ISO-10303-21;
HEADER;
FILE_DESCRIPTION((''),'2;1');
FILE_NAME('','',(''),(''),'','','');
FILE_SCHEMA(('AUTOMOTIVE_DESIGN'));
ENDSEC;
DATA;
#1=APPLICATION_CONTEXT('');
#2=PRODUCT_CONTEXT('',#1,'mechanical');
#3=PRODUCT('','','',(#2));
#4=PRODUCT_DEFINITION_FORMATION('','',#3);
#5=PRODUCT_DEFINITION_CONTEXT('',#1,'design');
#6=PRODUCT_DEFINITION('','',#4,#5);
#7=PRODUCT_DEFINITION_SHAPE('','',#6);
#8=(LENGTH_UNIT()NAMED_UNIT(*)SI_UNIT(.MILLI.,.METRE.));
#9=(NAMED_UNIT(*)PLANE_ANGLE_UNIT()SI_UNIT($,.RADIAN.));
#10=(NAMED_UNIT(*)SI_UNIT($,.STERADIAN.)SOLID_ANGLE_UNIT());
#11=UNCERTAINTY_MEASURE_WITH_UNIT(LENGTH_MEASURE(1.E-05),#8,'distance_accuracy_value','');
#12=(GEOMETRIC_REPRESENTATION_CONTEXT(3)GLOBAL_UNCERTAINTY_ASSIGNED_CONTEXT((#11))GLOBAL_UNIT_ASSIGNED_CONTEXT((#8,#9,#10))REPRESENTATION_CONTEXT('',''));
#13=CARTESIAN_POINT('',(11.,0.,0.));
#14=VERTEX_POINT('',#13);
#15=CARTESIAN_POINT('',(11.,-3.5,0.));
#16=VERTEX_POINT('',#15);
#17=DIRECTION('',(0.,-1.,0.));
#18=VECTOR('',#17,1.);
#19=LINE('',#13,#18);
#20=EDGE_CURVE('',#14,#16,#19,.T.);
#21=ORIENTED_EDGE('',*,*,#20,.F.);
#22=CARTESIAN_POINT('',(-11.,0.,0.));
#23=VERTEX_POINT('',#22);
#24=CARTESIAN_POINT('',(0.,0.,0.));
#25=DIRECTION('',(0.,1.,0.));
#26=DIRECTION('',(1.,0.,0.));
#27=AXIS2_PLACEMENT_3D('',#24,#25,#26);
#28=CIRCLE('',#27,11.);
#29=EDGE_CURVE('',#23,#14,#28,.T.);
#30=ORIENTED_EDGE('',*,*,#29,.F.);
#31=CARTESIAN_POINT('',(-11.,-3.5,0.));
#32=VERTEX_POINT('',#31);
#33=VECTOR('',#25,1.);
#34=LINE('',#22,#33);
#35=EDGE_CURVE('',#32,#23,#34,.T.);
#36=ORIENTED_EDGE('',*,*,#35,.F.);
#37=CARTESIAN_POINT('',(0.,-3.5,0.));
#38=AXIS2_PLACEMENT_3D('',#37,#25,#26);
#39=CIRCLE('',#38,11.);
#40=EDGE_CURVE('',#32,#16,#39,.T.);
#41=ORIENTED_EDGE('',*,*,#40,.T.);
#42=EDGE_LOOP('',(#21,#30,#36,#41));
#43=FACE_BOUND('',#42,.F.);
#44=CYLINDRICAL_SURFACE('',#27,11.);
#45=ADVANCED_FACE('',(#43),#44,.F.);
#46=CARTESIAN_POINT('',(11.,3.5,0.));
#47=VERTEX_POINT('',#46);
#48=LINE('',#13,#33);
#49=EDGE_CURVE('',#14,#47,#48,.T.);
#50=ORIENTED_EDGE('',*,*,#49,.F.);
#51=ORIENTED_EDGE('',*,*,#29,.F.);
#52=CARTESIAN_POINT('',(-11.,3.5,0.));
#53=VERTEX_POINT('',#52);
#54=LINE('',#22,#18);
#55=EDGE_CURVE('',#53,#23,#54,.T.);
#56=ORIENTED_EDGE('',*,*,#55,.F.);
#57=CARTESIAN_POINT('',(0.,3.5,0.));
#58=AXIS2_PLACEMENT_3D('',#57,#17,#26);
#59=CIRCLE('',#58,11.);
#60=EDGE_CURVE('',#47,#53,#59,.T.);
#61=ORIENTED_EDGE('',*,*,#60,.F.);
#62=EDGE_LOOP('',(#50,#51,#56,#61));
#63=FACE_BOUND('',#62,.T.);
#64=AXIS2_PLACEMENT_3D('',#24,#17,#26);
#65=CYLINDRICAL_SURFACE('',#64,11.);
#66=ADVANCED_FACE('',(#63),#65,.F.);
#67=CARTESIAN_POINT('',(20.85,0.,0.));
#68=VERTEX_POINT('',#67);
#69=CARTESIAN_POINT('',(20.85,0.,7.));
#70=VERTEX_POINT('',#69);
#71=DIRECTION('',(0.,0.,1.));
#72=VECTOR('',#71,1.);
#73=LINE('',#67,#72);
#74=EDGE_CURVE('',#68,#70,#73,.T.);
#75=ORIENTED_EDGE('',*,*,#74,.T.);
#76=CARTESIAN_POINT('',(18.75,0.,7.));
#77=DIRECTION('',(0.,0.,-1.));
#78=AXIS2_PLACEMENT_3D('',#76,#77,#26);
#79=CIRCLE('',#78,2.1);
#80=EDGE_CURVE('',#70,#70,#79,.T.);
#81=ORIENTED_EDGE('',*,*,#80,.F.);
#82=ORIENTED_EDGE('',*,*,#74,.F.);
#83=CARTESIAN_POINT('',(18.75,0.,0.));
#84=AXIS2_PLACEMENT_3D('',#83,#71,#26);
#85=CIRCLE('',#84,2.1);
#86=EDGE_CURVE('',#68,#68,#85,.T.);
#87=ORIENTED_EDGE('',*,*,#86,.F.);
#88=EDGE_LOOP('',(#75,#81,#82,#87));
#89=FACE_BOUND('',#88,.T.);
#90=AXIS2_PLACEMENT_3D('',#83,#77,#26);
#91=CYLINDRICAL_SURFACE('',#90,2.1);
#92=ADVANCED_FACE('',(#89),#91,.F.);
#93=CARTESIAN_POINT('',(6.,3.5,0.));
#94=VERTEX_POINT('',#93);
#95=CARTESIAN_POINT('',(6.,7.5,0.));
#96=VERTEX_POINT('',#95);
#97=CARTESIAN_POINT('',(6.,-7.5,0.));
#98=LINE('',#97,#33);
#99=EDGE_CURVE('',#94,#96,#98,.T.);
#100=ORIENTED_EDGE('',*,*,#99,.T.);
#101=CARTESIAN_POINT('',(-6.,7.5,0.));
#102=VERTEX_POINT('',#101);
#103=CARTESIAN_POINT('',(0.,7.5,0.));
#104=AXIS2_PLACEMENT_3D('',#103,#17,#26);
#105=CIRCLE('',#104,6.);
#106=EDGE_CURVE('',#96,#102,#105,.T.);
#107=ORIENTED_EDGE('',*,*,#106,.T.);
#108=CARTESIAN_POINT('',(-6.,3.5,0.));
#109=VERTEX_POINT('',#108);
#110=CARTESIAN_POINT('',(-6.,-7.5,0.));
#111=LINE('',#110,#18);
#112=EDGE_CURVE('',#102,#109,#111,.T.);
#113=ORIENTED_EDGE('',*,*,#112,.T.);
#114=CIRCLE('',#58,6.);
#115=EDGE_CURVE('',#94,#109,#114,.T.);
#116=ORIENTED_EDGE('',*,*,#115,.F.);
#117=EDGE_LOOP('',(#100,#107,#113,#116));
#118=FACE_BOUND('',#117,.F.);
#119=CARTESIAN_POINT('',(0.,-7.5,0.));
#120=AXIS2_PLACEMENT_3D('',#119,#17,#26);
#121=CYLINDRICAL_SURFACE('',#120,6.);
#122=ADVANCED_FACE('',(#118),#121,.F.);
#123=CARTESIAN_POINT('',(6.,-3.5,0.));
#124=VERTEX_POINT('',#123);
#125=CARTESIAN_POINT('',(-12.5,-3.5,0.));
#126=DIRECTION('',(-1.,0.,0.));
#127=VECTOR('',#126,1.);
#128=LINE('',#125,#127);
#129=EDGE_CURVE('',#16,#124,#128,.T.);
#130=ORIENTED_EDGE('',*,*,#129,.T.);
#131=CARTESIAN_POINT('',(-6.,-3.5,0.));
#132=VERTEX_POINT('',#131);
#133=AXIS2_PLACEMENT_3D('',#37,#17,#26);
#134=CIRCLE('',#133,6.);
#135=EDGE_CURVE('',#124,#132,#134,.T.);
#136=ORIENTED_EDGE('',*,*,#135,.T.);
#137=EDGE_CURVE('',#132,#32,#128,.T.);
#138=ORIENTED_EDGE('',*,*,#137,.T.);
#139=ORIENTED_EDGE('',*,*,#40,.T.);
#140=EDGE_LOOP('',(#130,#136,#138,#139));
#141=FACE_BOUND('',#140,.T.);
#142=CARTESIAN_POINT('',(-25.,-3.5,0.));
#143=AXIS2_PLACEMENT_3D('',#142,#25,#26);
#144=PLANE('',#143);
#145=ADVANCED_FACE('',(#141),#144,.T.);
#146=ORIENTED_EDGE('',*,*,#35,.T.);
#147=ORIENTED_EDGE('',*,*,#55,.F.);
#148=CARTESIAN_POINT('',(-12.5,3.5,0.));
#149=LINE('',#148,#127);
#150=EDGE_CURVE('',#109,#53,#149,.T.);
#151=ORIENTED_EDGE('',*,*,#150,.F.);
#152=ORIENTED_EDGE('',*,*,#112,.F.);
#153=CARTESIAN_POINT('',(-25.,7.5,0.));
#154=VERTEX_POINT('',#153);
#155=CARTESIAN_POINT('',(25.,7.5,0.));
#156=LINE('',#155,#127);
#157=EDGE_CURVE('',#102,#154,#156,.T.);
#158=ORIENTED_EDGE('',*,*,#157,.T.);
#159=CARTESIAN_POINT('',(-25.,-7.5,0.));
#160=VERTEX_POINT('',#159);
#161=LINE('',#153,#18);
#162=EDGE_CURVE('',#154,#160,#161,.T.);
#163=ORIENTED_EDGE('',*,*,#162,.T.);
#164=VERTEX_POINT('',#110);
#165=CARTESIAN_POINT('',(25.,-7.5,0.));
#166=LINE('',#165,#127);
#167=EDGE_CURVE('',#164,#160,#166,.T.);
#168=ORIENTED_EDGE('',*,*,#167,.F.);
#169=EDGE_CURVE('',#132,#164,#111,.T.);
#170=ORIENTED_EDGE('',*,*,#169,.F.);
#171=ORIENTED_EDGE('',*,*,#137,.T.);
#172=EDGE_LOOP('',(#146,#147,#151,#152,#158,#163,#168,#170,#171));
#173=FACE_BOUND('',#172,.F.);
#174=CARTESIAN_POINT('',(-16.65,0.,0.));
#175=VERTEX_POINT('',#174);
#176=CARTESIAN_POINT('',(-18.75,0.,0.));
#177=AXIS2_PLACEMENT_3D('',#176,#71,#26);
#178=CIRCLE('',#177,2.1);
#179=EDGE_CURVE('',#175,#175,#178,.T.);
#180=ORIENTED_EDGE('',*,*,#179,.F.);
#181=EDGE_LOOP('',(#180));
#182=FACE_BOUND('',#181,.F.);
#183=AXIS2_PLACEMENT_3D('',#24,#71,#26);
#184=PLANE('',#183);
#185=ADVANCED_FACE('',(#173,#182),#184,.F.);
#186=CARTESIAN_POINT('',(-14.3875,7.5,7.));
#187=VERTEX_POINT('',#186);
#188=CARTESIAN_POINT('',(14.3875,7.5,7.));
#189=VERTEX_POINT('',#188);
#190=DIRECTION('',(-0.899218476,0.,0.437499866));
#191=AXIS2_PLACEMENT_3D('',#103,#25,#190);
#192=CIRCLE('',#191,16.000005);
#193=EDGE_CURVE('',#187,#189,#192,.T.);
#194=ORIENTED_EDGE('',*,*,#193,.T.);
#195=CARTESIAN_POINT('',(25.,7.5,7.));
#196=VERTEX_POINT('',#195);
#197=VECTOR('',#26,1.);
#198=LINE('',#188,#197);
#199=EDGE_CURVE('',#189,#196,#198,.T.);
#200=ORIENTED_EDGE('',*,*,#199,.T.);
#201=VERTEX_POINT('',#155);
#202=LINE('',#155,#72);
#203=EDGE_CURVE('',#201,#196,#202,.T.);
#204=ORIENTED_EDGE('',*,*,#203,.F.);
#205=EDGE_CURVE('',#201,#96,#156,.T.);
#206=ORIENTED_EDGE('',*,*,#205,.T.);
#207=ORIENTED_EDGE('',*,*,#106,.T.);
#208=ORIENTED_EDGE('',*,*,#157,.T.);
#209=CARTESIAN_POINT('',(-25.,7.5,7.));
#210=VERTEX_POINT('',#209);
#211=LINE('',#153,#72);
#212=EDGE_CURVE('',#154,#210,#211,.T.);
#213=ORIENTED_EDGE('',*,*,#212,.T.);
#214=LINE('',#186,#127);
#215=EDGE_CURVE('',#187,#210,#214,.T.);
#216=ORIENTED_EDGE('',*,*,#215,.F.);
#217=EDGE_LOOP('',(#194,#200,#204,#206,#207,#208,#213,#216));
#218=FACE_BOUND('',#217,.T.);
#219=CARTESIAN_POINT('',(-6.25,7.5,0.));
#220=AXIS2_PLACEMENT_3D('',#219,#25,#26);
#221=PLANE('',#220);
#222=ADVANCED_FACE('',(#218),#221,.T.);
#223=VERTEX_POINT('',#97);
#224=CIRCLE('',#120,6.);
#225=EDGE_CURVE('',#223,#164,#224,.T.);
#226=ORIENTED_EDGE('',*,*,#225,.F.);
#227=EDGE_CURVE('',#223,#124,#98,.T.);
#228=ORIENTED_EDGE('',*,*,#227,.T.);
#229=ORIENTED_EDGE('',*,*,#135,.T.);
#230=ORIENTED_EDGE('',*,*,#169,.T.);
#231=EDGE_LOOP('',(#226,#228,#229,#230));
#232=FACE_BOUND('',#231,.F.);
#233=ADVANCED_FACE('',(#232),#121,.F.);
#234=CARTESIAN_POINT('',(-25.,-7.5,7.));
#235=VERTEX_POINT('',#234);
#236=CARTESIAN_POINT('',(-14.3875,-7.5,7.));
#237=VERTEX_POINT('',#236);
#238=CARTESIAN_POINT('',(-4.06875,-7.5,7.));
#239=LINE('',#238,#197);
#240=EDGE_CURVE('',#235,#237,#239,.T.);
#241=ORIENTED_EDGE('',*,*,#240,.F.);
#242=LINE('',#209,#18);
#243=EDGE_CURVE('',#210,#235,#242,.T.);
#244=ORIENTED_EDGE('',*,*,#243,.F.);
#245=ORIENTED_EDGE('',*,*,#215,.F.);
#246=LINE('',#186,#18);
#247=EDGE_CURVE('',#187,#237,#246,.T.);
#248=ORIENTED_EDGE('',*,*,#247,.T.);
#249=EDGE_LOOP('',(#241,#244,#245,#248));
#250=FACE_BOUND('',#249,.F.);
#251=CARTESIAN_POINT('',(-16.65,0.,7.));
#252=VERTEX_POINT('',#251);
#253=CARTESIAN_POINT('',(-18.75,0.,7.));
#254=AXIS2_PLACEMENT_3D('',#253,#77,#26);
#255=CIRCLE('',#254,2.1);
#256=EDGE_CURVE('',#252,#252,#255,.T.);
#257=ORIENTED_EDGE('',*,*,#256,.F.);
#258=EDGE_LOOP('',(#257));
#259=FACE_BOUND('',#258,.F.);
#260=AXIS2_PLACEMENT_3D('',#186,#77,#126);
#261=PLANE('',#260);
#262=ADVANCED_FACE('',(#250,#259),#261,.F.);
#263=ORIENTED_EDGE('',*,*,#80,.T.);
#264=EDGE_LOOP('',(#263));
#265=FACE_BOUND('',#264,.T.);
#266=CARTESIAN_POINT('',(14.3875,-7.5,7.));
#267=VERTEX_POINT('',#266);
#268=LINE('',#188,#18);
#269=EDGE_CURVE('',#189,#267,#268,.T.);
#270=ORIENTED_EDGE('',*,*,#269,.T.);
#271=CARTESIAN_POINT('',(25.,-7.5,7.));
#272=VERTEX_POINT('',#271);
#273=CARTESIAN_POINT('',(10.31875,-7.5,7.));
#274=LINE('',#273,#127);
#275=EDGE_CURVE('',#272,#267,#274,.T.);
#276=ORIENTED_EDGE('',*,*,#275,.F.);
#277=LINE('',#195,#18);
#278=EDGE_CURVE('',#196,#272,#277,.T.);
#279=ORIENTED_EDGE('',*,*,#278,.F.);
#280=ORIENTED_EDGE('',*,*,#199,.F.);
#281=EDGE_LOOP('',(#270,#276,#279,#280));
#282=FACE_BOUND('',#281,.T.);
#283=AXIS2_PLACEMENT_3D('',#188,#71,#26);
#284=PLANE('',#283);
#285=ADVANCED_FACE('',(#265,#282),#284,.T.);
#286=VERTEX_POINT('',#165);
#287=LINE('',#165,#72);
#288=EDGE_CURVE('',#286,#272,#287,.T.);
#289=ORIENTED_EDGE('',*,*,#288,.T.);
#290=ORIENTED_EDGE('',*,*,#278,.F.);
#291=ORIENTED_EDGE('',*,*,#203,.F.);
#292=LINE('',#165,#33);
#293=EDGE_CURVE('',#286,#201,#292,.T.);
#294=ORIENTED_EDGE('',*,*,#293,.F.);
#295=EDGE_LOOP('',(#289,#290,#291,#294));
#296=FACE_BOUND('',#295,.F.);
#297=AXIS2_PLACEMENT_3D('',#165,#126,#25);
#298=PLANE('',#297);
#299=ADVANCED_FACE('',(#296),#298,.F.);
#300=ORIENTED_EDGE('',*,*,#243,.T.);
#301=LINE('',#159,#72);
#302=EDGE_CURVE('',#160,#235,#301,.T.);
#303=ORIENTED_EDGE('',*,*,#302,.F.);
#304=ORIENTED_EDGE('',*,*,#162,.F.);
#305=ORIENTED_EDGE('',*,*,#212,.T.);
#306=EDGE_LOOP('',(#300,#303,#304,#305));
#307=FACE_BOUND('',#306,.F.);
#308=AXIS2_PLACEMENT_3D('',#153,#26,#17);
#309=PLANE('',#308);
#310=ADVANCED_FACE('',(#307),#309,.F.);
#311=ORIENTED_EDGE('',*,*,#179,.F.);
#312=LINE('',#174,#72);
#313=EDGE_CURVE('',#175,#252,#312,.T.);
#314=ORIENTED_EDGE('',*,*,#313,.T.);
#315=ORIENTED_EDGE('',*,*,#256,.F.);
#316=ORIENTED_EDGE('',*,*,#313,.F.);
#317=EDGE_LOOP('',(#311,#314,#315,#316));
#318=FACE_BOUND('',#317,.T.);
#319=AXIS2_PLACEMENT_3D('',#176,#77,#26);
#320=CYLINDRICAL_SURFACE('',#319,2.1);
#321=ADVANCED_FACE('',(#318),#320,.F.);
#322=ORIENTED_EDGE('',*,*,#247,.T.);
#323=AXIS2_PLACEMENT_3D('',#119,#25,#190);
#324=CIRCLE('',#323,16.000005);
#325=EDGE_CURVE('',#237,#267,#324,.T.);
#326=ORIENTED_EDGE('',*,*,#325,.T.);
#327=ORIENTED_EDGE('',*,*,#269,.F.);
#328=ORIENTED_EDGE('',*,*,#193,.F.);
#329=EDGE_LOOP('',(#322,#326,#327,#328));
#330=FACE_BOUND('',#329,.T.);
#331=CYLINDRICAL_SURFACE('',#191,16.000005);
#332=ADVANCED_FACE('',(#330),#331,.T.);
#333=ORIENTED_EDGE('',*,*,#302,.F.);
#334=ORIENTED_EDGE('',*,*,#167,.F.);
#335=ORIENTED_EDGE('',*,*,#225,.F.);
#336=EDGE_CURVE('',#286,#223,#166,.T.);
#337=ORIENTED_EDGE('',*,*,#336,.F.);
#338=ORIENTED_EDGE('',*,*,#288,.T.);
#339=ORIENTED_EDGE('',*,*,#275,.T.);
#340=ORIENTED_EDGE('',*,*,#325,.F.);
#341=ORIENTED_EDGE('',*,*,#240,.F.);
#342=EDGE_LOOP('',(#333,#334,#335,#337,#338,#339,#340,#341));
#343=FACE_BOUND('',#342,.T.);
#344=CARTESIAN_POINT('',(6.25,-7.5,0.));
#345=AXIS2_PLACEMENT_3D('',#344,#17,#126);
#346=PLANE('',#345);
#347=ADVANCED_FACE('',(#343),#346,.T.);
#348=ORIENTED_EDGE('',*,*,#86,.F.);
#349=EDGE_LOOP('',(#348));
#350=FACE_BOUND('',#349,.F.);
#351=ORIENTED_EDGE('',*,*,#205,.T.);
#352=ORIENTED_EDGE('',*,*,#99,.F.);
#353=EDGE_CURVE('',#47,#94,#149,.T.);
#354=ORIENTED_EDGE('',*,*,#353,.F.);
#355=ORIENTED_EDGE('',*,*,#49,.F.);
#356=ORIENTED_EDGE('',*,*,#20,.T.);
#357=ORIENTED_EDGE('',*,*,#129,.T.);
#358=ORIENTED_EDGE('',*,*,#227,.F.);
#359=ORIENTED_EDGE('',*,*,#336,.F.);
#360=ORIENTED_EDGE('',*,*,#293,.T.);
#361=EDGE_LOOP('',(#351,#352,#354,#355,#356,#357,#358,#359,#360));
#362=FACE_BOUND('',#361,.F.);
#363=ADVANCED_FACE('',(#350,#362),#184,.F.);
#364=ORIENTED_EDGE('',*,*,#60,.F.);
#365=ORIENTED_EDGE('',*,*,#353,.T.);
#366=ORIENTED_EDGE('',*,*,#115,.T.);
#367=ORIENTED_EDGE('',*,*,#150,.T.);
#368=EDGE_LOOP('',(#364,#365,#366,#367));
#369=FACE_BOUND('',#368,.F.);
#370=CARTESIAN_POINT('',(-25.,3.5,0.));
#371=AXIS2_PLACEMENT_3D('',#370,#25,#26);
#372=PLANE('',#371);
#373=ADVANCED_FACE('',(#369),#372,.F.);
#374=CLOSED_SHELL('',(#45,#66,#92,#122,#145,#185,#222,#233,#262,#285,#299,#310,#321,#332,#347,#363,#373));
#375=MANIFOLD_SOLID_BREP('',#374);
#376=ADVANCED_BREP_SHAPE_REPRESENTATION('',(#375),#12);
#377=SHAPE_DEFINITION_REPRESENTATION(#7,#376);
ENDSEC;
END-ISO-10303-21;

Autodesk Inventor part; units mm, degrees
ref_plane "YZ Plane" through (0, 0, 0) normal (1, 0, 0) x (0, 1, 0)
ref_plane "XZ Plane" through (0, 0, 0) normal (0, 1, 0) x (-1, 0, 0)
ref_plane "XY Plane" through (0, 0, 0) normal (0, 0, 1) x (1, 0, 0)
sketch "Skizze1" plane through (0, 0, 0) normal (0, 0, 1) x (1, 0, 0)
  circle A0 centre (-18.75, 0) radius 2.1 projected
  line L0 (-6.25, 7.5) -> (-6.25, 3.5) projected
  line L1 (-6.25, 7.5) -> (-25, 7.5) projected
  line L2 (-25, 7.5) -> (-25, -7.5) projected
  line L3 (-25, -7.5) -> (-6.25, -7.5) projected
  line L4 (-6.25, -3.5) -> (-6.25, -7.5) projected
  line L5 (-11, -3.5) -> (-6.25, -3.5) projected
  line L6 (-11, 3.5) -> (-11, -3.5) projected
  line L7 (-6.25, 3.5) -> (-11, 3.5) projected
  circle A1 centre (18.75, 0) radius 2.1 projected
  line L8 (6.25, 3.5) -> (6.25, 7.5) projected
  line L9 (11, 3.5) -> (6.25, 3.5) projected
  line L10 (11, -3.5) -> (11, 3.5) projected
  line L11 (6.25, -3.5) -> (11, -3.5) projected
  line L12 (6.25, -7.5) -> (6.25, -3.5) projected
  line L13 (6.25, -7.5) -> (25, -7.5) projected
  line L14 (25, -7.5) -> (25, 7.5) projected
  line L15 (25, 7.5) -> (6.25, 7.5) projected
  line L16 (-25, 7.5) -> (25, 7.5)
  line L17 (25, 7.5) -> (25, -7.5)
  line L18 (25, -7.5) -> (-25, -7.5)
  line L19 (-25, -7.5) -> (-25, 7.5)
  line L20 (-25, 7.5) -> (25, -7.5) construction
  line L21 (25, 7.5) -> (-25, -7.5) construction
  point P0 (0, 0)
extrude "Extrusion1" add sketch "Skizze1" along normal blind 16
sketch "Skizze2" plane through (-25, -7.5, 0) normal (0, -1, 0) x (1, 0, 0)
  point P0 (25, 0)
ref_plane "Arbeitsebene1" through (-25, 0, 0) normal (0, 1, 0) x (1, 0, 0)
sketch "Skizze3" plane through (-25, 0, 0) normal (0, 1, 0) x (1, 0, 0)
  line L0 (8.35, -16) -> (8.35, 0) projected
  line L1 (8.35, 0) -> (41.65, 0) projected
  line L2 (41.65, 0) -> (41.65, -16) projected
  line L3 (41.65, -16) -> (8.35, -16) projected
  line L4 (0, -16) -> (0, 0) projected
  line L5 (0, 0) -> (4.15, 0) projected
  line L6 (4.15, 0) -> (4.15, -16) projected
  line L7 (4.15, -16) -> (0, -16) projected
  line L8 (50, 0) -> (50, -16) projected
  line L9 (50, -16) -> (45.85, -16) projected
  line L10 (45.85, -16) -> (45.85, 0) projected
  line L11 (45.85, 0) -> (50, 0) projected
  circle A0 centre (25, 0) radius 11
  dimension "d2" = 22
extrude "Extrusion2" cut sketch "Skizze3" along normal mid plane 7 contours A0 L1 | L1 A0
sketch "Skizze4" plane through (-25, 7.5, 0) normal (0, 1, 0) x (1, 0, 0)
  line L0 (50, 0) -> (50, -16) projected
  line L1 (50, -16) -> (0, -16) projected
  line L2 (0, -16) -> (0, 0) projected
  line L3 (0, 0) -> (50, 0) projected
  line L4 (50, 0) -> (50, -16) projected
  line L5 (50, -16) -> (0, -16) projected
  line L6 (0, -16) -> (0, 0) projected
  line L7 (0, 0) -> (50, 0) projected
  line L8 (50, 0) -> (50, -16) projected
  line L9 (50, -16) -> (0, -16) projected
  line L10 (0, -16) -> (0, 0) projected
  line L11 (0, 0) -> (50, 0) projected
  line L12 (50, 0) -> (50, -16) projected
  line L13 (50, -16) -> (0, -16) projected
  line L14 (0, -16) -> (0, 0) projected
  line L15 (0, 0) -> (50, 0) projected
  line L16 (14, 0) -> (36, 0) projected
  arc A0 (14, 0) -> (36, 0) centre (25, 0) ccw projected
  arc A1 (10.6125, -7) -> (39.3875, -7) centre (25, 0) ccw
  line L17 (50, -16) -> (0, -16) projected
  line L18 (39.3875, -7) -> (50, -7)
  line L19 (10.6125, -7) -> (0, -7)
  dimension "d5" = 7
extrude "Extrusion3" cut sketch "Skizze4" against normal through all contours L0 L1 A1 L18 | L1 L2 L19 A1
sketch "Skizze5" plane through (-25, -7.5, 0) normal (0, -1, 0) x (1, 0, 0)
  circle A0 centre (25, 0) radius 6
  dimension "d8" = 12
extrude "Extrusion4" cut sketch "Skizze5" against normal through all
properties part number "LagerKlemme" material "ABS-Kunststoff"
